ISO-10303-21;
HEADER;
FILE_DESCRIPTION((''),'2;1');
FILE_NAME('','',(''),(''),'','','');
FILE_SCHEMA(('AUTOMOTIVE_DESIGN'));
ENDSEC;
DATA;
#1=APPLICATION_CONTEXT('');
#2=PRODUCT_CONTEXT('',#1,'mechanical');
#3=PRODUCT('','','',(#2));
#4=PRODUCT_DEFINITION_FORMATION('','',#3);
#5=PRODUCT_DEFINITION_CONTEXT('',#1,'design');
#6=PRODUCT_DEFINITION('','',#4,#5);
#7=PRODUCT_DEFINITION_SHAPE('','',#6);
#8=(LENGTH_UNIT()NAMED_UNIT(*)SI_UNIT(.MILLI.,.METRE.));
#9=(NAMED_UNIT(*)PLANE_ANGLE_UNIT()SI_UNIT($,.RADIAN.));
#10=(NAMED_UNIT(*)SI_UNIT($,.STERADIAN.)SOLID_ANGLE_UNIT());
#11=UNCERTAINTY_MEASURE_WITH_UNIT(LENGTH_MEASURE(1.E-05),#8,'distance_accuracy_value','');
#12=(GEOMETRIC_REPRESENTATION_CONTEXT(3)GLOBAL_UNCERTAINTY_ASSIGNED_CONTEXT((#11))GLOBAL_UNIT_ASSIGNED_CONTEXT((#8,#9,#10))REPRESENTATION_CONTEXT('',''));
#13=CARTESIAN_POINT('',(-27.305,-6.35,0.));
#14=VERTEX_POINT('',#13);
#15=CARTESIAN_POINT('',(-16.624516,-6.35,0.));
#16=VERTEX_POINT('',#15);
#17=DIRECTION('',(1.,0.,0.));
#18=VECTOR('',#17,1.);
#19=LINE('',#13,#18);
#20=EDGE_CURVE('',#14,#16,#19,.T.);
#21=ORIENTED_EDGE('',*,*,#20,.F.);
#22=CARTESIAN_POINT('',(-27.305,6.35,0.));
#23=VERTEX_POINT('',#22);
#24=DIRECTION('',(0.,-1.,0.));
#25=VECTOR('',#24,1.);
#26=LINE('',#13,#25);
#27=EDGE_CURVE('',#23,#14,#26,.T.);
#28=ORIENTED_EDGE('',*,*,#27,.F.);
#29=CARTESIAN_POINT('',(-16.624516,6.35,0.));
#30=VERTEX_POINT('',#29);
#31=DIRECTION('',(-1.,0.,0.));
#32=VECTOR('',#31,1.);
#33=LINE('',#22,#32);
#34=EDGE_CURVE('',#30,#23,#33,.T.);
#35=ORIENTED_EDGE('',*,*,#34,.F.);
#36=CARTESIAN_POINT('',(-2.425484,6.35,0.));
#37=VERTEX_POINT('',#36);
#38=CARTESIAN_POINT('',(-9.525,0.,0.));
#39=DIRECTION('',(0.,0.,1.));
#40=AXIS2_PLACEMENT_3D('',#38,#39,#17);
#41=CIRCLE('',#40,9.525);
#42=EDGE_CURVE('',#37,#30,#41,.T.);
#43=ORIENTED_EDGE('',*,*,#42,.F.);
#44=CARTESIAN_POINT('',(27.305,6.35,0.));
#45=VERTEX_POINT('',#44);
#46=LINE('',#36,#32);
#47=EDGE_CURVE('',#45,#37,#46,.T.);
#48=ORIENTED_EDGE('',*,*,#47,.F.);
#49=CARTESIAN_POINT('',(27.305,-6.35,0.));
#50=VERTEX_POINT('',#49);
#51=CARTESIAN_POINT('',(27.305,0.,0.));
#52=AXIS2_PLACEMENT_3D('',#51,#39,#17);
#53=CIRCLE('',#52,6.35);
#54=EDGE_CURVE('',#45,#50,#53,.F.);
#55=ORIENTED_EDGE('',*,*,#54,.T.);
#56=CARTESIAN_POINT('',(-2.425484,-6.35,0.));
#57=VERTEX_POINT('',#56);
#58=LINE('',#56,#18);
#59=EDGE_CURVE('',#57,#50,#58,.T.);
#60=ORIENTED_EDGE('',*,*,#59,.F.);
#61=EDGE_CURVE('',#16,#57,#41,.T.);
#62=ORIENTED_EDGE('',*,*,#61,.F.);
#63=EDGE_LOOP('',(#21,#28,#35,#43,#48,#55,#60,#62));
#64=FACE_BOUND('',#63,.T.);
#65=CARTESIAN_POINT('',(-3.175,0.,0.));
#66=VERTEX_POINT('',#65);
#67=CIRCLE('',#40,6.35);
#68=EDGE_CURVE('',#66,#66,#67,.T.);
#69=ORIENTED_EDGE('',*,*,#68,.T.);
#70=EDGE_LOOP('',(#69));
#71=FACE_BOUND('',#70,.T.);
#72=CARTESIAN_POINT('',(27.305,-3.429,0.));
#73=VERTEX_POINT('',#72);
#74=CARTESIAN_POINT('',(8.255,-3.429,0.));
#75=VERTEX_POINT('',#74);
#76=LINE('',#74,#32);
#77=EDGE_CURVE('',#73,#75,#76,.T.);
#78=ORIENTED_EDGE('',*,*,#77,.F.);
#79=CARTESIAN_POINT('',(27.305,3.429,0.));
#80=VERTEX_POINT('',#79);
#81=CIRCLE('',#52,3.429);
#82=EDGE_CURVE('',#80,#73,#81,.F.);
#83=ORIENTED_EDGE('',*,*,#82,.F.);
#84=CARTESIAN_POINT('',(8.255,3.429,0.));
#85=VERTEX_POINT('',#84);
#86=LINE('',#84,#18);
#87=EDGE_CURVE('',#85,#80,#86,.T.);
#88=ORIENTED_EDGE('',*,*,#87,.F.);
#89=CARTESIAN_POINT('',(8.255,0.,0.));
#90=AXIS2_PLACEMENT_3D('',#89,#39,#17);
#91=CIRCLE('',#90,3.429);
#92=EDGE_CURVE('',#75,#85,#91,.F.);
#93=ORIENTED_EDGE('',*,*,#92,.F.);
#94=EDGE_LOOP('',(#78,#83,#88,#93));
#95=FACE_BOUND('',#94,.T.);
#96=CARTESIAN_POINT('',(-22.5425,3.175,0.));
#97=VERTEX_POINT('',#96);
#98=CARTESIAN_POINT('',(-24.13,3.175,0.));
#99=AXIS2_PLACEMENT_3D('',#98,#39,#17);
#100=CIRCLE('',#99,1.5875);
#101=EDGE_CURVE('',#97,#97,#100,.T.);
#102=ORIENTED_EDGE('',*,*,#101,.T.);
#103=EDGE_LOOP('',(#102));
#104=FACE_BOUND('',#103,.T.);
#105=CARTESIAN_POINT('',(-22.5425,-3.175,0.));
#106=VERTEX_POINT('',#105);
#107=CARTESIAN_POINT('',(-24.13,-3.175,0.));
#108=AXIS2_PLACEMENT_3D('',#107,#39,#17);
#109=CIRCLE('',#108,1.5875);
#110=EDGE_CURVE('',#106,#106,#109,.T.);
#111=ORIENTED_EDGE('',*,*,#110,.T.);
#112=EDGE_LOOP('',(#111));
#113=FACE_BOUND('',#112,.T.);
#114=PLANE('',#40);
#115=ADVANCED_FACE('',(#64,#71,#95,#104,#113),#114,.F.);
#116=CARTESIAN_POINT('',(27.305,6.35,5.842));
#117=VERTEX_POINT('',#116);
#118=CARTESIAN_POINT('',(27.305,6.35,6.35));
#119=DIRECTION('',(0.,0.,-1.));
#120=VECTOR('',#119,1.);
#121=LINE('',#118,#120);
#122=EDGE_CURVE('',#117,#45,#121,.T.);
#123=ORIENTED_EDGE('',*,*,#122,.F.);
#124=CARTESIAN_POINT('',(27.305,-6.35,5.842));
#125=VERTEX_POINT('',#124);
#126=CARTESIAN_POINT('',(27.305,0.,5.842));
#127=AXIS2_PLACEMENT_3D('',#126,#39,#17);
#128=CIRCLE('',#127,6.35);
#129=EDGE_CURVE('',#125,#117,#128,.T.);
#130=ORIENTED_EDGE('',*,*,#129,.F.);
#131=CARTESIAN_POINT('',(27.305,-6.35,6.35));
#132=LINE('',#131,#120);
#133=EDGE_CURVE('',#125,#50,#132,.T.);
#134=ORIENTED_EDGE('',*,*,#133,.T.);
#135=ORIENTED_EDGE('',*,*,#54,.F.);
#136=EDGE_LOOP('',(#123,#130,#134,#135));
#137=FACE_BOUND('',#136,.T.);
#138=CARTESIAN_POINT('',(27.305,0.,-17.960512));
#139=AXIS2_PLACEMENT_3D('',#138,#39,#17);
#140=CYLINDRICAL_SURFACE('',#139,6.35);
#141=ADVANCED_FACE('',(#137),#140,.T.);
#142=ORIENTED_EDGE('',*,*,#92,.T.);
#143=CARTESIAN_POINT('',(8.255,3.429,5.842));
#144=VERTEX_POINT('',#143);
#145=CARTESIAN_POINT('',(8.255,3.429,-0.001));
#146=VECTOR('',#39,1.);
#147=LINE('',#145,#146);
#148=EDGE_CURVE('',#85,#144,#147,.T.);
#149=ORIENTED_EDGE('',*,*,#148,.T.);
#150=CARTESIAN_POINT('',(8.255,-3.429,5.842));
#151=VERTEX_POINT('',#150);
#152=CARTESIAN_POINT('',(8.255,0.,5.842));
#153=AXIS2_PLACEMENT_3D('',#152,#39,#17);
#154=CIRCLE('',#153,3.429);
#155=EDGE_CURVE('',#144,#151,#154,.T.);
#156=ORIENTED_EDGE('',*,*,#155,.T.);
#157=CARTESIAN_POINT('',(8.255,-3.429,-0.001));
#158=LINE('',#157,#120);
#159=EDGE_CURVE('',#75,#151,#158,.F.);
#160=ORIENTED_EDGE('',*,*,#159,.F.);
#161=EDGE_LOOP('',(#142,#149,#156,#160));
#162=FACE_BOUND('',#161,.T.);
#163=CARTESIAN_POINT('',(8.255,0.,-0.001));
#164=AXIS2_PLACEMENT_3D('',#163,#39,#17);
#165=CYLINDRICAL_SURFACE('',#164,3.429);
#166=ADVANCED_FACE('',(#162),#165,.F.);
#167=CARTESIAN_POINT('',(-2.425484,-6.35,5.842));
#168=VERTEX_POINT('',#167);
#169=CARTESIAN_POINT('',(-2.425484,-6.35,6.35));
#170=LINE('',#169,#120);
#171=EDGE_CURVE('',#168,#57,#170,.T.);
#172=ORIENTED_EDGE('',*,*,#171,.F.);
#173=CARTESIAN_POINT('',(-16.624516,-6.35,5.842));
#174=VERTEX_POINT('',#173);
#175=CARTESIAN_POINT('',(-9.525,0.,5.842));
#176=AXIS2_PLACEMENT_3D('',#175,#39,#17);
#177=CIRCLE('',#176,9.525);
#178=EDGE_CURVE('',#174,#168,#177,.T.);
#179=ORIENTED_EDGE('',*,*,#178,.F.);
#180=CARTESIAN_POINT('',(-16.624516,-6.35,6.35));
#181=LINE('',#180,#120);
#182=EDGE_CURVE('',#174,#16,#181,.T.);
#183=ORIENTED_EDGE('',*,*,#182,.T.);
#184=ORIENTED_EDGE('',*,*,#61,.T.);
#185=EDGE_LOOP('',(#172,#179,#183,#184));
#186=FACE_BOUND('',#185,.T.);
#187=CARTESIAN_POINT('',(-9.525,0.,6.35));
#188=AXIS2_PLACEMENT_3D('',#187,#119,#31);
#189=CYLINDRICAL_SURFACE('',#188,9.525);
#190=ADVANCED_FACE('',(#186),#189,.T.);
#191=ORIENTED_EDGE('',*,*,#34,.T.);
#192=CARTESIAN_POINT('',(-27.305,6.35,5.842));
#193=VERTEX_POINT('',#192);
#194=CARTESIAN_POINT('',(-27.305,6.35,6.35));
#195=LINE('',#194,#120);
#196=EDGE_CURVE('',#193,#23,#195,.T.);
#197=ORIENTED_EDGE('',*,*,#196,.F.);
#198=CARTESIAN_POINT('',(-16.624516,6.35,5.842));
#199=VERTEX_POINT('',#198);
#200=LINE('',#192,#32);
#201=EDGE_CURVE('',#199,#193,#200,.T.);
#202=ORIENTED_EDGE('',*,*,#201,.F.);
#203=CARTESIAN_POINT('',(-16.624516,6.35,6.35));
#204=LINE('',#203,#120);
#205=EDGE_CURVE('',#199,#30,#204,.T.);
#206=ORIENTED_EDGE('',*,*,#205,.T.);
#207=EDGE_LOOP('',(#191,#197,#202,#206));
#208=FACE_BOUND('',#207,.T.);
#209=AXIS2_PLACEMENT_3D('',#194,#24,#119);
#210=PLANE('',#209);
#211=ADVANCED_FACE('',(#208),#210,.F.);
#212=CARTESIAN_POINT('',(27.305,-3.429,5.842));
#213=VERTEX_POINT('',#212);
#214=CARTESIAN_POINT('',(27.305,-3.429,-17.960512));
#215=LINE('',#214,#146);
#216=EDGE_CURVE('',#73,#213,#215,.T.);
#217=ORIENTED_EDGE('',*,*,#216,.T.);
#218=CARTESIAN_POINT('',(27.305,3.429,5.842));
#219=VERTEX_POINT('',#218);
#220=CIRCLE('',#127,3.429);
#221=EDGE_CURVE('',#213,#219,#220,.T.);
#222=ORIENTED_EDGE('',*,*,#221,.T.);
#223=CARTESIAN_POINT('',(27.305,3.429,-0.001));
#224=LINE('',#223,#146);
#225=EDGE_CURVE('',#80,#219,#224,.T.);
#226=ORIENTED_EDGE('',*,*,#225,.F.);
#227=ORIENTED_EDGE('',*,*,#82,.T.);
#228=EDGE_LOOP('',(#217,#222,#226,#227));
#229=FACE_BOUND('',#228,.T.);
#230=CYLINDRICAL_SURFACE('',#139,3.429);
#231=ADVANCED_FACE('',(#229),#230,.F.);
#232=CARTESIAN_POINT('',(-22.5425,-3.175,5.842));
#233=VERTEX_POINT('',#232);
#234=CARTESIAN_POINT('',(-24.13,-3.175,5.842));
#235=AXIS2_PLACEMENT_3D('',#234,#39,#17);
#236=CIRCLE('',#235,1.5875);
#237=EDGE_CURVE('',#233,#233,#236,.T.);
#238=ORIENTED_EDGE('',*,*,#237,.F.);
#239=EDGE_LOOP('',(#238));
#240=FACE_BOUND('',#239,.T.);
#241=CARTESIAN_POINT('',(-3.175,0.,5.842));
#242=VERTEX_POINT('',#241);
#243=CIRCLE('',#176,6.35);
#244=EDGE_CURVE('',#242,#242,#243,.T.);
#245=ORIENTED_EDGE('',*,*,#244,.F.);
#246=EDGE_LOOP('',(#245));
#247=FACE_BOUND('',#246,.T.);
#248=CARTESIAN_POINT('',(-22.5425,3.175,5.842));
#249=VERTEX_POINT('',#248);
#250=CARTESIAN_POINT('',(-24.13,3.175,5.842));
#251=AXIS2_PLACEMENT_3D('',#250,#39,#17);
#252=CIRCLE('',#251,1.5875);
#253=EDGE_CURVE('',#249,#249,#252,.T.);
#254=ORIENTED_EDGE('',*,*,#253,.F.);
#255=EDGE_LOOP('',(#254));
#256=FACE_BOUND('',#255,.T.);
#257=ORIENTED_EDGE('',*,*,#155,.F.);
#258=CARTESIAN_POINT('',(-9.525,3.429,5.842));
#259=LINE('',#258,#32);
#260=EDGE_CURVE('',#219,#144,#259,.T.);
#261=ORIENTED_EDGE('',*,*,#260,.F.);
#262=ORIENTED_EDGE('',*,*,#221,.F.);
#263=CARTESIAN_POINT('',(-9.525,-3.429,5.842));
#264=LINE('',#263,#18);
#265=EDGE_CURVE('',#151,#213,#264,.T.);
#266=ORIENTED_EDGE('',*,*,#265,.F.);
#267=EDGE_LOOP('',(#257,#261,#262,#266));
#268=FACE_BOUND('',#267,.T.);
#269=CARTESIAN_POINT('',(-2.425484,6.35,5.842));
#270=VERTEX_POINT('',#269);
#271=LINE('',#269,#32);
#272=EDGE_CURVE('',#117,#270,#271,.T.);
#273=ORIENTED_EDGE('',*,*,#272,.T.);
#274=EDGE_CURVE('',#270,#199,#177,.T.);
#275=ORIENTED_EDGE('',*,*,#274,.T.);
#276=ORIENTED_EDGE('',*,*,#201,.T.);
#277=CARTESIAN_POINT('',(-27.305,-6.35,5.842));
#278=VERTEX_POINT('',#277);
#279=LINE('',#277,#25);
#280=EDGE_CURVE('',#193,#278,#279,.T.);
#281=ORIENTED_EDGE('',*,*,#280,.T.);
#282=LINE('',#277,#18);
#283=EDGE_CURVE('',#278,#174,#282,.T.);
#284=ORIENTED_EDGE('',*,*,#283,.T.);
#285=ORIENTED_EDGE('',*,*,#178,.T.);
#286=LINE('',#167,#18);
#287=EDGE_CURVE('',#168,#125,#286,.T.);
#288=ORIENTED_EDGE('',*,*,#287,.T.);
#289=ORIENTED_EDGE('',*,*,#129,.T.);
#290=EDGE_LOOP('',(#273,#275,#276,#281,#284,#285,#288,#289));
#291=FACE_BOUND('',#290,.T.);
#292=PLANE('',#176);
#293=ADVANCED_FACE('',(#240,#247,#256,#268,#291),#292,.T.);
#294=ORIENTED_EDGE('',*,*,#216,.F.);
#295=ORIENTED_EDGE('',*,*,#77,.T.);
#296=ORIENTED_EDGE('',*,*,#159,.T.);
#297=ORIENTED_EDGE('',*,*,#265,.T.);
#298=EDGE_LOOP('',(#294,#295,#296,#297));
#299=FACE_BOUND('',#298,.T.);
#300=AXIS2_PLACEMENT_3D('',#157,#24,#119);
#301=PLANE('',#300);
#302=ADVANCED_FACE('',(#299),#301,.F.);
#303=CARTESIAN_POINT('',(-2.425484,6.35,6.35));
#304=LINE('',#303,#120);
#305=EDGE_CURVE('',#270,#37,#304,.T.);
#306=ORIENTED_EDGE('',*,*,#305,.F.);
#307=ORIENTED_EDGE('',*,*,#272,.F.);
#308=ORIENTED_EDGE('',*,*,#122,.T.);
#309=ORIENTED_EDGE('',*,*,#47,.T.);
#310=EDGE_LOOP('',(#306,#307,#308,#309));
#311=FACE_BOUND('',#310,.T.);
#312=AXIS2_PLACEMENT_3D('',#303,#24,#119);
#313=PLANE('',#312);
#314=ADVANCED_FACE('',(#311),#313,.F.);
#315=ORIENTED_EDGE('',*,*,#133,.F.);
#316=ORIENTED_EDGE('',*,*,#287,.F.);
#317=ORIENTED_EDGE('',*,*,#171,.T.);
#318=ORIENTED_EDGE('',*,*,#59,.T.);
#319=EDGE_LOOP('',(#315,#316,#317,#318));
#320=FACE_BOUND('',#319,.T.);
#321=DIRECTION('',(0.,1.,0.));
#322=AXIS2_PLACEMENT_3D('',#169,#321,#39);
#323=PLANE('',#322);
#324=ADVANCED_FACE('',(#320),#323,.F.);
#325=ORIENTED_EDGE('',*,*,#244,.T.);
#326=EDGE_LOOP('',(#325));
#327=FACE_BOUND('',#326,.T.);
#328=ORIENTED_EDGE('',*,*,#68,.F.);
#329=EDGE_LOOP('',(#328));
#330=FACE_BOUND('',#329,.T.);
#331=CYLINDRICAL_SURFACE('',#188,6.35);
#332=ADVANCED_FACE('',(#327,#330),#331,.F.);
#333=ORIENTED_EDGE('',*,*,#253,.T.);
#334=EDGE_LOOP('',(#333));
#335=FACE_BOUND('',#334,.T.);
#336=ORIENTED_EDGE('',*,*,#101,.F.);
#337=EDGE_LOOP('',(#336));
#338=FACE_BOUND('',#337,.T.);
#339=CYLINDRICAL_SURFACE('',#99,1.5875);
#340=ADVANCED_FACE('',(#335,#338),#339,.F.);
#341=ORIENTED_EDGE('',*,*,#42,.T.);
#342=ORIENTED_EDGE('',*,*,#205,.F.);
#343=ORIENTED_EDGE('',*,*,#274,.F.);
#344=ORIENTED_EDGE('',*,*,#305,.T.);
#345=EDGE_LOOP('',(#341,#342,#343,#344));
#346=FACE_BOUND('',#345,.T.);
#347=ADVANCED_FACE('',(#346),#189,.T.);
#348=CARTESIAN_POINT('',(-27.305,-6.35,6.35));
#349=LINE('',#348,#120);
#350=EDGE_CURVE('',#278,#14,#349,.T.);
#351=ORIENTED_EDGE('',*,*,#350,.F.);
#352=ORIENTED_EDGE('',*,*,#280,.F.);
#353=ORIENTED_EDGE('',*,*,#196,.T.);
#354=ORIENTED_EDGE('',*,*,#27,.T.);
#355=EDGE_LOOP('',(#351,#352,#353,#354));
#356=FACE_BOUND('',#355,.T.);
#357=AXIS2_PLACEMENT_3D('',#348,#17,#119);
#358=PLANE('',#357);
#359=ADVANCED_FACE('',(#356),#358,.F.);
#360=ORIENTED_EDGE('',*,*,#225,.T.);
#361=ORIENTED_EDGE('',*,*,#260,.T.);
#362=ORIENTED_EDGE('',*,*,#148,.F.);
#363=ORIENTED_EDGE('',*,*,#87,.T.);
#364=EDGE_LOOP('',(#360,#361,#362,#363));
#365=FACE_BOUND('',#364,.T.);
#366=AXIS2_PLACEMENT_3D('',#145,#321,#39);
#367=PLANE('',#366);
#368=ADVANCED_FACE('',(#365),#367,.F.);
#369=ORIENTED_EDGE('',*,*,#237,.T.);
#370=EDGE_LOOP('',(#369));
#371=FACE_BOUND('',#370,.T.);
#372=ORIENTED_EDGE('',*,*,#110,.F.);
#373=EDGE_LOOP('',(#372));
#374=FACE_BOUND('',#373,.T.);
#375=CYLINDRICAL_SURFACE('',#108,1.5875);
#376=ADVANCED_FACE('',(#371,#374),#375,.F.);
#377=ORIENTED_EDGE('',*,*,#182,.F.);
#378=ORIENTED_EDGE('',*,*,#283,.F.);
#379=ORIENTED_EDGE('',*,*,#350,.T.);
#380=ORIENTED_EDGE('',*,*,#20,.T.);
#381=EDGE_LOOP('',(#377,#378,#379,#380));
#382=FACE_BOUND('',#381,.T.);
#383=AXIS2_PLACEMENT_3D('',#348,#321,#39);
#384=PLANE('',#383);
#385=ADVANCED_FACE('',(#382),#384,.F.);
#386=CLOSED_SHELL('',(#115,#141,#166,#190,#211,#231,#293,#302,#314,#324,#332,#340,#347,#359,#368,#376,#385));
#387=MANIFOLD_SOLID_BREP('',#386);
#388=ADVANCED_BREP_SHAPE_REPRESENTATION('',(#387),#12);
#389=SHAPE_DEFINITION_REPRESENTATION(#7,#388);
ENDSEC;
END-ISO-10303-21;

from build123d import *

# Parameters (mm, degrees)
SKETCH1_R           = 6.35
BOSS_EXTRUDE1_DEPTH = 6.35
SKETCH2_R           = 6.35
SKETCH2_R_2         = 3.175
BOSS_EXTRUDE2_DEPTH = 6.35
CUT_EXTRUDE1_REACH  = 37.549
CUT_EXTRUDE2_REACH  = 37.549
SKETCH5_R           = 1.5875
CUT_EXTRUDE3_DEPTH  = 36.548658906
MOVE_FACE1_BY       = 0.508
MOVE_FACE2_BY       = 0.254
MOVE_FACE2_2_BY     = 0.254
MOVE_FACE2_3_BY     = 0.254
MOVE_FACE2_4_BY     = 0.254


with BuildPart() as part:
    # Sketch1 → Boss-Extrude1 (new body)
    with BuildSketch(Plane.XY):
        with BuildLine():
            Line((-2.425484171, -6.35), (27.305, -6.35))
            Line((27.305, -6.35), (27.305, 6.35))
            Line((27.305, 6.35), (-2.425484171, 6.35))
            ThreePointArc((-2.425484171, 6.35), (-9.525, 9.525), (-16.624515829, 6.35))
            Line((-16.624515829, 6.35), (-27.305, 6.35))
            Line((-27.305, 6.35), (-27.305, -6.35))
            Line((-27.305, -6.35), (-16.624515829, -6.35))
            ThreePointArc((-16.624515829, -6.35), (-9.525, -9.525), (-2.425484171, -6.35))
        make_face()
        with Locations((-9.525, 0)):
            Circle(SKETCH1_R, mode=Mode.SUBTRACT)
    extrude(amount=BOSS_EXTRUDE1_DEPTH)

    # Sketch2 → Boss-Extrude2 (add)
    with BuildSketch(Plane.XY.offset(6.35)):
        with Locations((27.305, 0)):
            Circle(SKETCH2_R)
        with Locations((27.305, 0)):
            Circle(SKETCH2_R_2, mode=Mode.SUBTRACT)
    extrude(amount=-BOSS_EXTRUDE2_DEPTH)

    # Sketch3 → Cut-Extrude1 (cut, up to next)
    with BuildSketch(Plane.XY.offset(6.35), mode=Mode.PRIVATE) as cut_extrude1_sk1:
        with BuildLine():
            ThreePointArc((27.305, 3.175), (24.13, 0), (27.305, -3.175))
            Line((27.305, -3.175), (27.305, 3.175))
        make_face()
    cut_extrude1_tool1 = extrude(cut_extrude1_sk1.sketch, amount=-CUT_EXTRUDE1_REACH, mode=Mode.PRIVATE) & part.part
    add(cut_extrude1_tool1.solids().sort_by_distance((25.957488, 0, 6.35))[0], mode=Mode.SUBTRACT)

    # Sketch4 → Cut-Extrude2 (cut, up to next)
    with BuildSketch(Plane.XY.offset(6.35), mode=Mode.PRIVATE) as cut_extrude2_sk1:
        with BuildLine():
            Line((8.255, 3.175), (27.305, 3.175))
            ThreePointArc((27.305, 3.175), (30.48, 0), (27.305, -3.175))
            Line((27.305, -3.175), (8.255, -3.175))
            ThreePointArc((8.255, -3.175), (5.08, 0), (8.255, 3.175))
        make_face()
    cut_extrude2_tool1 = extrude(cut_extrude2_sk1.sketch, amount=-CUT_EXTRUDE2_REACH, mode=Mode.PRIVATE) & part.part
    add(cut_extrude2_tool1.solids().sort_by_distance((17.78, 0, 6.35))[0], mode=Mode.SUBTRACT)

    # Sketch5 → Cut-Extrude3 (cut, through all)
    with BuildSketch(Plane.XY.offset(6.35)):
        with Locations((-24.13, 3.175)):
            Circle(SKETCH5_R)
        with Locations((-24.13, -3.175)):
            Circle(SKETCH5_R)
    extrude(amount=-CUT_EXTRUDE3_DEPTH, mode=Mode.SUBTRACT)

    # Move Face1: a face moved inward by 0.508
    extrude(part.faces().sort_by_distance((0.343641582, 0, 6.35))[0], amount=MOVE_FACE1_BY, dir=(0, 0, -1), mode=Mode.SUBTRACT)

    # Move Face2: a curved face moved inward by 0.254
    add(Solid.thicken(part.faces().sort_by_distance((30.48, 0, 2.921))[0], -MOVE_FACE2_BY), mode=Mode.SUBTRACT)

    # Move Face2 2: a face moved inward by 0.254
    extrude(part.faces().sort_by_distance((17.78, 3.175, 2.921))[0], amount=MOVE_FACE2_2_BY, dir=(0, 1, 0), mode=Mode.SUBTRACT)

    # Move Face2 3: a curved face moved inward by 0.254
    add(Solid.thicken(part.faces().sort_by_distance((5.08, 0, 2.921))[0], -MOVE_FACE2_3_BY), mode=Mode.SUBTRACT)

    # Move Face2 4: a face moved inward by 0.254
    extrude(part.faces().sort_by_distance((17.78, -3.175, 2.921))[0], amount=MOVE_FACE2_4_BY, dir=(0, -1, 0), mode=Mode.SUBTRACT)


solid = part.part
